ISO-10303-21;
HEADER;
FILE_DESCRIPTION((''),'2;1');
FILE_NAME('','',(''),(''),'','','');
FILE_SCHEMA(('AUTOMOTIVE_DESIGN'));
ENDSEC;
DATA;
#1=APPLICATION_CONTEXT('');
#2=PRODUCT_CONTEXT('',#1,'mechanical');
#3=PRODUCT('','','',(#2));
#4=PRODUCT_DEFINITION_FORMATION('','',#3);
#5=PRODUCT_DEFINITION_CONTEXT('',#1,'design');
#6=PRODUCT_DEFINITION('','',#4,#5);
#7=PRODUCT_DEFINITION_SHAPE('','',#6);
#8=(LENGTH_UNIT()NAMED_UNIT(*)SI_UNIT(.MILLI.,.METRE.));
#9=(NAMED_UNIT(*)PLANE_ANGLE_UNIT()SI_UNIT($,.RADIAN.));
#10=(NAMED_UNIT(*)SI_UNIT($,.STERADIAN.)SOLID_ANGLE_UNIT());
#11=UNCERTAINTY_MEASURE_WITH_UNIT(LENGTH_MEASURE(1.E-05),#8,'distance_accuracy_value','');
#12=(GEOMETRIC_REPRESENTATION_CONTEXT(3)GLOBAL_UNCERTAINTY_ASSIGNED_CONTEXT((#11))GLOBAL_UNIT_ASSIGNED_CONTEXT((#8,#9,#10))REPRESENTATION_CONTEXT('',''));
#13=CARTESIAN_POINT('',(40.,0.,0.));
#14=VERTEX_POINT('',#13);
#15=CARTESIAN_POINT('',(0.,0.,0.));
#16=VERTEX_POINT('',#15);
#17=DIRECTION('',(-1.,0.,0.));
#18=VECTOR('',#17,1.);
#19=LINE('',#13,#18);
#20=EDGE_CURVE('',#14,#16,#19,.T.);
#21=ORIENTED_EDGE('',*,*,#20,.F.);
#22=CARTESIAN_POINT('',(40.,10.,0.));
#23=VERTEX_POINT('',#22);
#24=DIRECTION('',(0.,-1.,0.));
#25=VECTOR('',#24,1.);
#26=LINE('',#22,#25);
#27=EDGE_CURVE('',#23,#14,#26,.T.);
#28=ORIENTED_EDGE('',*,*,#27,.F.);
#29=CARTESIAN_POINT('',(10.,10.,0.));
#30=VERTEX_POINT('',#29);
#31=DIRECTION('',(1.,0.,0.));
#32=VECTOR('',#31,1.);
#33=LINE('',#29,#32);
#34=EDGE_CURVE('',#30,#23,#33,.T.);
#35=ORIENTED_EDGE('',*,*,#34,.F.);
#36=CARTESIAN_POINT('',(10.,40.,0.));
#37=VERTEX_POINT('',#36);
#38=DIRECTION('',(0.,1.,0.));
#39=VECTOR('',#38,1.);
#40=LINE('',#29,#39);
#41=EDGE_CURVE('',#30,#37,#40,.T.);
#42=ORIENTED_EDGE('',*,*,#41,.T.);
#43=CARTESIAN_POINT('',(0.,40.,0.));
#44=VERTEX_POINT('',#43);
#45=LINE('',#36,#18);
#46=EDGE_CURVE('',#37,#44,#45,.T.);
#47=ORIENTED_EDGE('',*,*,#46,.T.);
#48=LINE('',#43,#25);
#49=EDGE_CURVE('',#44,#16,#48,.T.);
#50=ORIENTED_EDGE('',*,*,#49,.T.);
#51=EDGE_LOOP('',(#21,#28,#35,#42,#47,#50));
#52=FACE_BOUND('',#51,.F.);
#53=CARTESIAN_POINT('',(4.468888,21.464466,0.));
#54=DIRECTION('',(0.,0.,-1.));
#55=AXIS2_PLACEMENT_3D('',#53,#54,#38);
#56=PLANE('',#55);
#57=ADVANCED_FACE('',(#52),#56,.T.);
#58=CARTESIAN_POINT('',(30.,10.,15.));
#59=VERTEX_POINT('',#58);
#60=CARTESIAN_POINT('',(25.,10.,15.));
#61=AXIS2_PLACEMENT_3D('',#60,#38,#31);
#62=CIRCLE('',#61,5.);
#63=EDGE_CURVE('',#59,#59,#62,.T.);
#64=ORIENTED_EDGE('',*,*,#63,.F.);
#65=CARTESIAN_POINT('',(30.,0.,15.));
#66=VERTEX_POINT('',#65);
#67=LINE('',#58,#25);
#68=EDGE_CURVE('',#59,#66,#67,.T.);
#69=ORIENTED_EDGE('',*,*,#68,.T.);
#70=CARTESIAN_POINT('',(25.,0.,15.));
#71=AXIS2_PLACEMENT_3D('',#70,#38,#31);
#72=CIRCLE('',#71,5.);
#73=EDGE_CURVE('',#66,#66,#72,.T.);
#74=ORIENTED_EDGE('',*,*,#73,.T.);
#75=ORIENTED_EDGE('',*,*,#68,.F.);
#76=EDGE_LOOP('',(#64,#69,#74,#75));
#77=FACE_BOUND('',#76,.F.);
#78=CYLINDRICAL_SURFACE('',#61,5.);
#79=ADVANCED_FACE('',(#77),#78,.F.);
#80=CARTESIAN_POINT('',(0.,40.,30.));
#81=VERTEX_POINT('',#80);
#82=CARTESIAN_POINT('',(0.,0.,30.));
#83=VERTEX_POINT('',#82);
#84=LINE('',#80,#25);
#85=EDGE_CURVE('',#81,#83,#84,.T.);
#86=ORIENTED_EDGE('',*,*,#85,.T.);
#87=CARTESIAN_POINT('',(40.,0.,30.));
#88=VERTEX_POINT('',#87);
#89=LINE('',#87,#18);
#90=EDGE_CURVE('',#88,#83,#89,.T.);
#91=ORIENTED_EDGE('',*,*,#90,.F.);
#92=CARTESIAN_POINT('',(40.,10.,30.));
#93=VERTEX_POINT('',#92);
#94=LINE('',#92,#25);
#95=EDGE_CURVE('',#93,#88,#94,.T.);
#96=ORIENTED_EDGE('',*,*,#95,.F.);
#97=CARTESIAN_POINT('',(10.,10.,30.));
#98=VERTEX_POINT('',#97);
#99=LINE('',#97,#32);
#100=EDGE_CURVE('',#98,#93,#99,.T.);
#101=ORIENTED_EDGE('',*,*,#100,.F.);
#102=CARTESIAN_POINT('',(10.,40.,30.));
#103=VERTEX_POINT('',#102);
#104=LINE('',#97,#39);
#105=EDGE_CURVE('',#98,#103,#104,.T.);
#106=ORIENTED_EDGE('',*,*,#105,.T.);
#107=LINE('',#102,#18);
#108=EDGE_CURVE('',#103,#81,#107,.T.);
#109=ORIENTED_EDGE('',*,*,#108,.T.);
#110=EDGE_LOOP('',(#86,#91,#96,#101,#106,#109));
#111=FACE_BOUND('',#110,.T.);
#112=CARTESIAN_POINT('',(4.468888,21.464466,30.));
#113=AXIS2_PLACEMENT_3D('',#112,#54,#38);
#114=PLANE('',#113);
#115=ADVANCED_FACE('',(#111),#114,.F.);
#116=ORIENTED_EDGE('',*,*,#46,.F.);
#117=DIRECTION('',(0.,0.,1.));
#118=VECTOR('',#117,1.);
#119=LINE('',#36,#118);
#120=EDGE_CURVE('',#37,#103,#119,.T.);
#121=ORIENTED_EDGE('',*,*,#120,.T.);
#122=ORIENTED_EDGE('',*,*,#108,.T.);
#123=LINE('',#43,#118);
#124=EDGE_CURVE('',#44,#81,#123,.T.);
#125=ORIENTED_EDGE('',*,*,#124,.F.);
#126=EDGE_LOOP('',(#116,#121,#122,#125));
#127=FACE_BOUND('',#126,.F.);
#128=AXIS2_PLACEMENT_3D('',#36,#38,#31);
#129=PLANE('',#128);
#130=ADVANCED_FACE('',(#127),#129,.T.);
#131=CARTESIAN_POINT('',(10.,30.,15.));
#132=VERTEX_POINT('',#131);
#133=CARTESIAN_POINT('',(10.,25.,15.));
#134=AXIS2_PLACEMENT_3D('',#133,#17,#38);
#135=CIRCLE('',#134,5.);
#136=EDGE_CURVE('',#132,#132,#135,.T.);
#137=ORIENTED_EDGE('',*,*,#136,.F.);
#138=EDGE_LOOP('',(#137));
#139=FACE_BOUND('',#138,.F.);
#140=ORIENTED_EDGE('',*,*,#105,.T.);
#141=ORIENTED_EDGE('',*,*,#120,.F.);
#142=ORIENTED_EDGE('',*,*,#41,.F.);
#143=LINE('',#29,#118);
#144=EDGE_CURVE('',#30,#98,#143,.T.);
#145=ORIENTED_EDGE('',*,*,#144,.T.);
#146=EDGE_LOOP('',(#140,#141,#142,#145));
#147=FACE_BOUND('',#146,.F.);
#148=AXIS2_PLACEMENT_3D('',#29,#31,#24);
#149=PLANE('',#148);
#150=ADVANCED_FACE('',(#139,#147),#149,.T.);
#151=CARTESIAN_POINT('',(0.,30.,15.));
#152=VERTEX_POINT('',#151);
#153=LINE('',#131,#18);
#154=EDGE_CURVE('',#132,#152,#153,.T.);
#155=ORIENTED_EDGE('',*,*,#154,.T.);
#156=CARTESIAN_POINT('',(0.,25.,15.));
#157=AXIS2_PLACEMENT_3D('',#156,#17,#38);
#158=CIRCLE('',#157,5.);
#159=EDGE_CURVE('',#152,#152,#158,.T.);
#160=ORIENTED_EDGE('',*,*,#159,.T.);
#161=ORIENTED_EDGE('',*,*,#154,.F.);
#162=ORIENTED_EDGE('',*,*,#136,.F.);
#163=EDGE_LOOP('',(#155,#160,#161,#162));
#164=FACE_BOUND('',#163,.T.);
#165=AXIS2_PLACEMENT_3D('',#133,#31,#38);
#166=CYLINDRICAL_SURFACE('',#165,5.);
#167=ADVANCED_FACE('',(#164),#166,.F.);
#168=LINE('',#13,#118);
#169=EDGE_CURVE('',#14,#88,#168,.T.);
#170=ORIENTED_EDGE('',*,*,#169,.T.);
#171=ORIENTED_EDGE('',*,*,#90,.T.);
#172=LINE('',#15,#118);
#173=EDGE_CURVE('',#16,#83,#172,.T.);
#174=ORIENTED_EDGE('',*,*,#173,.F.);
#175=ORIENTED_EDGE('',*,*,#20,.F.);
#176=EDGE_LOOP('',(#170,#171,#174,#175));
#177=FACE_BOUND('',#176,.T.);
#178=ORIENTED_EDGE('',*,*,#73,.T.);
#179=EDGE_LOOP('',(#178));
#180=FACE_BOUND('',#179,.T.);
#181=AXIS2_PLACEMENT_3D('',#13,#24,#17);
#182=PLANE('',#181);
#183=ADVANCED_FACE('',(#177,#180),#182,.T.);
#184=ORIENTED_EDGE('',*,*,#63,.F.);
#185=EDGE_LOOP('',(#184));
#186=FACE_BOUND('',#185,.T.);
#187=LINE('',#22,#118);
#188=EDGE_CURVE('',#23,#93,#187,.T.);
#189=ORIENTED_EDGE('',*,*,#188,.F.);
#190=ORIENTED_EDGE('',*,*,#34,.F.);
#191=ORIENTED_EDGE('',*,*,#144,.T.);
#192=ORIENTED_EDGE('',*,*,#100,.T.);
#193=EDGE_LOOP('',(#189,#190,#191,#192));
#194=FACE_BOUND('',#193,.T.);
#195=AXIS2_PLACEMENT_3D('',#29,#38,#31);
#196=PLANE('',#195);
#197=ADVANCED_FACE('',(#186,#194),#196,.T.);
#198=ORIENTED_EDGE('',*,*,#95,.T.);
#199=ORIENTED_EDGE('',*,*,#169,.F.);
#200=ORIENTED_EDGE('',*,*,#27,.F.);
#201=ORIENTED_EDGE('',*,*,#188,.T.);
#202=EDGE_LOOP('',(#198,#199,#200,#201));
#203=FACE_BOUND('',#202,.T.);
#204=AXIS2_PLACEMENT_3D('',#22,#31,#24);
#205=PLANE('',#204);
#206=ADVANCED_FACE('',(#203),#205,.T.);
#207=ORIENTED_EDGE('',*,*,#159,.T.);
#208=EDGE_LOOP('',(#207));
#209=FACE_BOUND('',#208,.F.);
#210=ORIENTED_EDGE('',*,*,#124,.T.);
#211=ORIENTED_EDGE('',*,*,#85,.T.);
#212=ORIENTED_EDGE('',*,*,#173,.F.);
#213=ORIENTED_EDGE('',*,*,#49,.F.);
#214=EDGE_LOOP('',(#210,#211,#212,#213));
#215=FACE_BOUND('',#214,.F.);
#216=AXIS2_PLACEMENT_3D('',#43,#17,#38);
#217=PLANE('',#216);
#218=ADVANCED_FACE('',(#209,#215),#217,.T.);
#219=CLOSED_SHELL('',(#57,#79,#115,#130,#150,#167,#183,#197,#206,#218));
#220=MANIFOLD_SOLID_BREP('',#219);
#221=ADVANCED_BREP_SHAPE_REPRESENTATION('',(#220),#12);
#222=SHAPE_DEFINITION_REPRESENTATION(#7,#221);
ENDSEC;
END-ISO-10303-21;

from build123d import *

# Parameters (mm, degrees)
BOSS_EXTRUDE1_DEPTH = 30
SKETCH2_R           = 5
CUT_EXTRUDE1_DEPTH  = 30


with BuildPart() as part:
    # Sketch1 → Boss-Extrude1 (new body)
    with BuildSketch(Plane.XY):
        Polygon((0, 0), (10, 10), (40, 10), (40, 0), align=None)
    extrude(amount=BOSS_EXTRUDE1_DEPTH)

    # Sketch2 → Cut-Extrude1 (cut)
    with BuildSketch(Plane(origin=(0, 10, 0), x_dir=(1, 0, 0), z_dir=(0, 1, 0))):
        with Locations((25, -15)):
            Circle(SKETCH2_R)
    extrude(amount=-CUT_EXTRUDE1_DEPTH, mode=Mode.SUBTRACT)

    # Mirror1: part across plane


with BuildPart() as part_1:
    add(part.part)
    add(part.part.mirror(Plane(origin=(0, 0, 30), x_dir=(0, 0, 1), z_dir=(0.707106781, -0.707106781, 0))))


solid = part_1.part
